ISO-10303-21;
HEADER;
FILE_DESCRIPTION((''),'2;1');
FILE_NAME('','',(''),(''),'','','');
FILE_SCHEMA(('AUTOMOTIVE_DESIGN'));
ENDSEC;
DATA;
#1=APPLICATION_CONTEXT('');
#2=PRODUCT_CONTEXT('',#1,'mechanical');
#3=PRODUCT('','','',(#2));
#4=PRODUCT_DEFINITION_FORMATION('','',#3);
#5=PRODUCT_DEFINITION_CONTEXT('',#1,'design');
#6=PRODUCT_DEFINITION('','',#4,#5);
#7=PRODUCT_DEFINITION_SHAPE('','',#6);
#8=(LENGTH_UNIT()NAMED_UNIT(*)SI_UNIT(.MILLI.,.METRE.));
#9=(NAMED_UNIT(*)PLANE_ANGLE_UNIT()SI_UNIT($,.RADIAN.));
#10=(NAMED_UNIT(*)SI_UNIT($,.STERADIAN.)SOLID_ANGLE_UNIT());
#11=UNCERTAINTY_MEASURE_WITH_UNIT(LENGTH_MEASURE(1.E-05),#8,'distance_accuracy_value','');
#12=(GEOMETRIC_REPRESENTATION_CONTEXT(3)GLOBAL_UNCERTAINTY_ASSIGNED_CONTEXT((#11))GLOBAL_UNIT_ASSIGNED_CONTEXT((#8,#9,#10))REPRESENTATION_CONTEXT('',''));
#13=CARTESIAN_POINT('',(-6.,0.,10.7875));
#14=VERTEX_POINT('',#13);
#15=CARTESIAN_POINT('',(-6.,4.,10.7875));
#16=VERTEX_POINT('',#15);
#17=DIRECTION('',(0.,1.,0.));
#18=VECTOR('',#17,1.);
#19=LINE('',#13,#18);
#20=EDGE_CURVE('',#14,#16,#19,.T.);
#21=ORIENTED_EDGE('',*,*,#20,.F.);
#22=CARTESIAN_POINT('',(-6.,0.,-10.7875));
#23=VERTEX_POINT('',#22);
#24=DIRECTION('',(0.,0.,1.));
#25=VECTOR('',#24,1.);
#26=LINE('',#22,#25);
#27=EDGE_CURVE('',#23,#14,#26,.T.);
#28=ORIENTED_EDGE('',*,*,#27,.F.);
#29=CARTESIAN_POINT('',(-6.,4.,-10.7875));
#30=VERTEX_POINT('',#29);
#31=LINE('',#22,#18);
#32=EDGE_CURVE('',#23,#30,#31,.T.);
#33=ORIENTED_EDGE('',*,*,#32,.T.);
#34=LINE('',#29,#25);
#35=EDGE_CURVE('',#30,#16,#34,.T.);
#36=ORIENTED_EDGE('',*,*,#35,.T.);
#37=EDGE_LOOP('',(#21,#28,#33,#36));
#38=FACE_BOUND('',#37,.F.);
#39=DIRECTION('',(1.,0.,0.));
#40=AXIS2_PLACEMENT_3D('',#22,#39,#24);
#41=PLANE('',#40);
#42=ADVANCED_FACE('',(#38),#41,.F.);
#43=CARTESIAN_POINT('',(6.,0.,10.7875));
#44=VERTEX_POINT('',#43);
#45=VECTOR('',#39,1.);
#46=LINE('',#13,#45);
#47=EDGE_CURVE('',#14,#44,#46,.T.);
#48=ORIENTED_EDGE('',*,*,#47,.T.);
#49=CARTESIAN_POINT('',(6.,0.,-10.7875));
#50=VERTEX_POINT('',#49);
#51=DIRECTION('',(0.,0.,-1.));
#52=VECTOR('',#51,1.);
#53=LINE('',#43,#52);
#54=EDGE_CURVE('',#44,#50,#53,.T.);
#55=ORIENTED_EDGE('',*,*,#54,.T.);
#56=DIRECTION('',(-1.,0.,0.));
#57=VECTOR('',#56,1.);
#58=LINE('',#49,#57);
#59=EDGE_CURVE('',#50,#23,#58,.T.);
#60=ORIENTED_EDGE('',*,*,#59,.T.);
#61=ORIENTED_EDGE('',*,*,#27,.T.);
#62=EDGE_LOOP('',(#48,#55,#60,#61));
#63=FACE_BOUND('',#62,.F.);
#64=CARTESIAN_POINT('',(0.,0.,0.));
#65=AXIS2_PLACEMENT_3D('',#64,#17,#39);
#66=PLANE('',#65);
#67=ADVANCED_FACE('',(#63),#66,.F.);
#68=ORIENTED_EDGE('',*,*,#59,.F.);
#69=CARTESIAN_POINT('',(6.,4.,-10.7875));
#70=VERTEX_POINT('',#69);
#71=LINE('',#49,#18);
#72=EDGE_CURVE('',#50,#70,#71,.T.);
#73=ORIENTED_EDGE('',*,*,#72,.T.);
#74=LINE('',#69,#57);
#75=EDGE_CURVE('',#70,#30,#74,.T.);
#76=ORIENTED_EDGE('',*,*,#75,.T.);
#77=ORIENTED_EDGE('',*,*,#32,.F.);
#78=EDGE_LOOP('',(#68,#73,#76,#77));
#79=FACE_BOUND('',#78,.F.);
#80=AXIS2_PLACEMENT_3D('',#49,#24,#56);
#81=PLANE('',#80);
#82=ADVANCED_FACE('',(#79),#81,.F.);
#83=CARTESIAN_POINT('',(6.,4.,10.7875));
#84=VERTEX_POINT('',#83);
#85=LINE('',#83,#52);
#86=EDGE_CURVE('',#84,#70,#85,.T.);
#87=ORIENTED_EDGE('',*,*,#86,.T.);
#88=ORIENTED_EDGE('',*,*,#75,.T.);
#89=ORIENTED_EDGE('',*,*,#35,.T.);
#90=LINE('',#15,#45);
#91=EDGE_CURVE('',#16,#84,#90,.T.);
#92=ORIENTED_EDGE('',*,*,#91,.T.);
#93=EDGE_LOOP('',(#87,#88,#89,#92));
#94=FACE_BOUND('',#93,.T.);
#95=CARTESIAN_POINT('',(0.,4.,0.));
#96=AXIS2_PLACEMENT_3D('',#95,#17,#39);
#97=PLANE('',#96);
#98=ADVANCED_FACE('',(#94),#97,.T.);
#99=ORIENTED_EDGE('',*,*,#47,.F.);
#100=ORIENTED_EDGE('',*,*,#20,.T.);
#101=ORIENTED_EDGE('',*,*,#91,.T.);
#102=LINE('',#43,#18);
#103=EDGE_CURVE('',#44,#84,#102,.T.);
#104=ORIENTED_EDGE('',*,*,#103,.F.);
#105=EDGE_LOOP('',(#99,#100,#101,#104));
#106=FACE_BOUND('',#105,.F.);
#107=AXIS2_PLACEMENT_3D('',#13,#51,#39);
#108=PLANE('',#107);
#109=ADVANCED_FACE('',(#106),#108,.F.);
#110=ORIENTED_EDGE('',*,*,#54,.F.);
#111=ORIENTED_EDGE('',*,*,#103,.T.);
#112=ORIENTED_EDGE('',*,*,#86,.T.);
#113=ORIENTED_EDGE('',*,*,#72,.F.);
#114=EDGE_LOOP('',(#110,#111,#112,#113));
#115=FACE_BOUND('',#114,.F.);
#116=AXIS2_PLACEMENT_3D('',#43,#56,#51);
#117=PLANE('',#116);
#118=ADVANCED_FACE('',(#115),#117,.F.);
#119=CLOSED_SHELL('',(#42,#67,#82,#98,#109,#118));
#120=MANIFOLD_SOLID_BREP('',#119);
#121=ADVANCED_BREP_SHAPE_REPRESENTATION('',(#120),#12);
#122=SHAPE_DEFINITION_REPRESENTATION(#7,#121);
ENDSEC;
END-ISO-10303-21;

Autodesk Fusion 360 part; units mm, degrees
sketch "Sketch1" plane through (0, 0, 0) normal (0, 1, 0) x (1, 0, 0)
  line L0 (6, 10.7875) -> (-6, 10.7875)
  line L1 (-6, 10.7875) -> (-6, -10.7875)
  line L2 (-6, -10.7875) -> (6, -10.7875)
  line L3 (6, -10.7875) -> (6, 10.7875)
  line L4 (6, 10.7875) -> (-6, -10.7875) construction
  line L5 (-6, 10.7875) -> (6, -10.7875) construction
  dimension "d1274" = 21.575
  dimension "d1275" = 12
  dimension "d1788" = 0
  dimension "d1789" = 0
  dimension "d1790" = 0
  dimension "d1791" = 0
  dimension "d2281" = 0
  dimension "d2282" = 0
  dimension "d2283" = 0
  dimension "d2284" = 0
  dimension "d2348" = 0
  dimension "d2349" = 0
  dimension "d2350" = 0
  dimension "d2351" = 0
  dimension "d2418" = 0
  dimension "d2419" = 0
  dimension "d2420" = 0
  dimension "d2421" = 0
  dimension "d2495" = 0
  dimension "d2496" = 0
  dimension "d2497" = 0
  dimension "d2498" = 0
  dimension "d2795" = 0
  dimension "d2796" = 0
  dimension "d2797" = 0
  dimension "d2798" = 0
extrude "Extrude1" add sketch "Sketch1" along normal blind 4
